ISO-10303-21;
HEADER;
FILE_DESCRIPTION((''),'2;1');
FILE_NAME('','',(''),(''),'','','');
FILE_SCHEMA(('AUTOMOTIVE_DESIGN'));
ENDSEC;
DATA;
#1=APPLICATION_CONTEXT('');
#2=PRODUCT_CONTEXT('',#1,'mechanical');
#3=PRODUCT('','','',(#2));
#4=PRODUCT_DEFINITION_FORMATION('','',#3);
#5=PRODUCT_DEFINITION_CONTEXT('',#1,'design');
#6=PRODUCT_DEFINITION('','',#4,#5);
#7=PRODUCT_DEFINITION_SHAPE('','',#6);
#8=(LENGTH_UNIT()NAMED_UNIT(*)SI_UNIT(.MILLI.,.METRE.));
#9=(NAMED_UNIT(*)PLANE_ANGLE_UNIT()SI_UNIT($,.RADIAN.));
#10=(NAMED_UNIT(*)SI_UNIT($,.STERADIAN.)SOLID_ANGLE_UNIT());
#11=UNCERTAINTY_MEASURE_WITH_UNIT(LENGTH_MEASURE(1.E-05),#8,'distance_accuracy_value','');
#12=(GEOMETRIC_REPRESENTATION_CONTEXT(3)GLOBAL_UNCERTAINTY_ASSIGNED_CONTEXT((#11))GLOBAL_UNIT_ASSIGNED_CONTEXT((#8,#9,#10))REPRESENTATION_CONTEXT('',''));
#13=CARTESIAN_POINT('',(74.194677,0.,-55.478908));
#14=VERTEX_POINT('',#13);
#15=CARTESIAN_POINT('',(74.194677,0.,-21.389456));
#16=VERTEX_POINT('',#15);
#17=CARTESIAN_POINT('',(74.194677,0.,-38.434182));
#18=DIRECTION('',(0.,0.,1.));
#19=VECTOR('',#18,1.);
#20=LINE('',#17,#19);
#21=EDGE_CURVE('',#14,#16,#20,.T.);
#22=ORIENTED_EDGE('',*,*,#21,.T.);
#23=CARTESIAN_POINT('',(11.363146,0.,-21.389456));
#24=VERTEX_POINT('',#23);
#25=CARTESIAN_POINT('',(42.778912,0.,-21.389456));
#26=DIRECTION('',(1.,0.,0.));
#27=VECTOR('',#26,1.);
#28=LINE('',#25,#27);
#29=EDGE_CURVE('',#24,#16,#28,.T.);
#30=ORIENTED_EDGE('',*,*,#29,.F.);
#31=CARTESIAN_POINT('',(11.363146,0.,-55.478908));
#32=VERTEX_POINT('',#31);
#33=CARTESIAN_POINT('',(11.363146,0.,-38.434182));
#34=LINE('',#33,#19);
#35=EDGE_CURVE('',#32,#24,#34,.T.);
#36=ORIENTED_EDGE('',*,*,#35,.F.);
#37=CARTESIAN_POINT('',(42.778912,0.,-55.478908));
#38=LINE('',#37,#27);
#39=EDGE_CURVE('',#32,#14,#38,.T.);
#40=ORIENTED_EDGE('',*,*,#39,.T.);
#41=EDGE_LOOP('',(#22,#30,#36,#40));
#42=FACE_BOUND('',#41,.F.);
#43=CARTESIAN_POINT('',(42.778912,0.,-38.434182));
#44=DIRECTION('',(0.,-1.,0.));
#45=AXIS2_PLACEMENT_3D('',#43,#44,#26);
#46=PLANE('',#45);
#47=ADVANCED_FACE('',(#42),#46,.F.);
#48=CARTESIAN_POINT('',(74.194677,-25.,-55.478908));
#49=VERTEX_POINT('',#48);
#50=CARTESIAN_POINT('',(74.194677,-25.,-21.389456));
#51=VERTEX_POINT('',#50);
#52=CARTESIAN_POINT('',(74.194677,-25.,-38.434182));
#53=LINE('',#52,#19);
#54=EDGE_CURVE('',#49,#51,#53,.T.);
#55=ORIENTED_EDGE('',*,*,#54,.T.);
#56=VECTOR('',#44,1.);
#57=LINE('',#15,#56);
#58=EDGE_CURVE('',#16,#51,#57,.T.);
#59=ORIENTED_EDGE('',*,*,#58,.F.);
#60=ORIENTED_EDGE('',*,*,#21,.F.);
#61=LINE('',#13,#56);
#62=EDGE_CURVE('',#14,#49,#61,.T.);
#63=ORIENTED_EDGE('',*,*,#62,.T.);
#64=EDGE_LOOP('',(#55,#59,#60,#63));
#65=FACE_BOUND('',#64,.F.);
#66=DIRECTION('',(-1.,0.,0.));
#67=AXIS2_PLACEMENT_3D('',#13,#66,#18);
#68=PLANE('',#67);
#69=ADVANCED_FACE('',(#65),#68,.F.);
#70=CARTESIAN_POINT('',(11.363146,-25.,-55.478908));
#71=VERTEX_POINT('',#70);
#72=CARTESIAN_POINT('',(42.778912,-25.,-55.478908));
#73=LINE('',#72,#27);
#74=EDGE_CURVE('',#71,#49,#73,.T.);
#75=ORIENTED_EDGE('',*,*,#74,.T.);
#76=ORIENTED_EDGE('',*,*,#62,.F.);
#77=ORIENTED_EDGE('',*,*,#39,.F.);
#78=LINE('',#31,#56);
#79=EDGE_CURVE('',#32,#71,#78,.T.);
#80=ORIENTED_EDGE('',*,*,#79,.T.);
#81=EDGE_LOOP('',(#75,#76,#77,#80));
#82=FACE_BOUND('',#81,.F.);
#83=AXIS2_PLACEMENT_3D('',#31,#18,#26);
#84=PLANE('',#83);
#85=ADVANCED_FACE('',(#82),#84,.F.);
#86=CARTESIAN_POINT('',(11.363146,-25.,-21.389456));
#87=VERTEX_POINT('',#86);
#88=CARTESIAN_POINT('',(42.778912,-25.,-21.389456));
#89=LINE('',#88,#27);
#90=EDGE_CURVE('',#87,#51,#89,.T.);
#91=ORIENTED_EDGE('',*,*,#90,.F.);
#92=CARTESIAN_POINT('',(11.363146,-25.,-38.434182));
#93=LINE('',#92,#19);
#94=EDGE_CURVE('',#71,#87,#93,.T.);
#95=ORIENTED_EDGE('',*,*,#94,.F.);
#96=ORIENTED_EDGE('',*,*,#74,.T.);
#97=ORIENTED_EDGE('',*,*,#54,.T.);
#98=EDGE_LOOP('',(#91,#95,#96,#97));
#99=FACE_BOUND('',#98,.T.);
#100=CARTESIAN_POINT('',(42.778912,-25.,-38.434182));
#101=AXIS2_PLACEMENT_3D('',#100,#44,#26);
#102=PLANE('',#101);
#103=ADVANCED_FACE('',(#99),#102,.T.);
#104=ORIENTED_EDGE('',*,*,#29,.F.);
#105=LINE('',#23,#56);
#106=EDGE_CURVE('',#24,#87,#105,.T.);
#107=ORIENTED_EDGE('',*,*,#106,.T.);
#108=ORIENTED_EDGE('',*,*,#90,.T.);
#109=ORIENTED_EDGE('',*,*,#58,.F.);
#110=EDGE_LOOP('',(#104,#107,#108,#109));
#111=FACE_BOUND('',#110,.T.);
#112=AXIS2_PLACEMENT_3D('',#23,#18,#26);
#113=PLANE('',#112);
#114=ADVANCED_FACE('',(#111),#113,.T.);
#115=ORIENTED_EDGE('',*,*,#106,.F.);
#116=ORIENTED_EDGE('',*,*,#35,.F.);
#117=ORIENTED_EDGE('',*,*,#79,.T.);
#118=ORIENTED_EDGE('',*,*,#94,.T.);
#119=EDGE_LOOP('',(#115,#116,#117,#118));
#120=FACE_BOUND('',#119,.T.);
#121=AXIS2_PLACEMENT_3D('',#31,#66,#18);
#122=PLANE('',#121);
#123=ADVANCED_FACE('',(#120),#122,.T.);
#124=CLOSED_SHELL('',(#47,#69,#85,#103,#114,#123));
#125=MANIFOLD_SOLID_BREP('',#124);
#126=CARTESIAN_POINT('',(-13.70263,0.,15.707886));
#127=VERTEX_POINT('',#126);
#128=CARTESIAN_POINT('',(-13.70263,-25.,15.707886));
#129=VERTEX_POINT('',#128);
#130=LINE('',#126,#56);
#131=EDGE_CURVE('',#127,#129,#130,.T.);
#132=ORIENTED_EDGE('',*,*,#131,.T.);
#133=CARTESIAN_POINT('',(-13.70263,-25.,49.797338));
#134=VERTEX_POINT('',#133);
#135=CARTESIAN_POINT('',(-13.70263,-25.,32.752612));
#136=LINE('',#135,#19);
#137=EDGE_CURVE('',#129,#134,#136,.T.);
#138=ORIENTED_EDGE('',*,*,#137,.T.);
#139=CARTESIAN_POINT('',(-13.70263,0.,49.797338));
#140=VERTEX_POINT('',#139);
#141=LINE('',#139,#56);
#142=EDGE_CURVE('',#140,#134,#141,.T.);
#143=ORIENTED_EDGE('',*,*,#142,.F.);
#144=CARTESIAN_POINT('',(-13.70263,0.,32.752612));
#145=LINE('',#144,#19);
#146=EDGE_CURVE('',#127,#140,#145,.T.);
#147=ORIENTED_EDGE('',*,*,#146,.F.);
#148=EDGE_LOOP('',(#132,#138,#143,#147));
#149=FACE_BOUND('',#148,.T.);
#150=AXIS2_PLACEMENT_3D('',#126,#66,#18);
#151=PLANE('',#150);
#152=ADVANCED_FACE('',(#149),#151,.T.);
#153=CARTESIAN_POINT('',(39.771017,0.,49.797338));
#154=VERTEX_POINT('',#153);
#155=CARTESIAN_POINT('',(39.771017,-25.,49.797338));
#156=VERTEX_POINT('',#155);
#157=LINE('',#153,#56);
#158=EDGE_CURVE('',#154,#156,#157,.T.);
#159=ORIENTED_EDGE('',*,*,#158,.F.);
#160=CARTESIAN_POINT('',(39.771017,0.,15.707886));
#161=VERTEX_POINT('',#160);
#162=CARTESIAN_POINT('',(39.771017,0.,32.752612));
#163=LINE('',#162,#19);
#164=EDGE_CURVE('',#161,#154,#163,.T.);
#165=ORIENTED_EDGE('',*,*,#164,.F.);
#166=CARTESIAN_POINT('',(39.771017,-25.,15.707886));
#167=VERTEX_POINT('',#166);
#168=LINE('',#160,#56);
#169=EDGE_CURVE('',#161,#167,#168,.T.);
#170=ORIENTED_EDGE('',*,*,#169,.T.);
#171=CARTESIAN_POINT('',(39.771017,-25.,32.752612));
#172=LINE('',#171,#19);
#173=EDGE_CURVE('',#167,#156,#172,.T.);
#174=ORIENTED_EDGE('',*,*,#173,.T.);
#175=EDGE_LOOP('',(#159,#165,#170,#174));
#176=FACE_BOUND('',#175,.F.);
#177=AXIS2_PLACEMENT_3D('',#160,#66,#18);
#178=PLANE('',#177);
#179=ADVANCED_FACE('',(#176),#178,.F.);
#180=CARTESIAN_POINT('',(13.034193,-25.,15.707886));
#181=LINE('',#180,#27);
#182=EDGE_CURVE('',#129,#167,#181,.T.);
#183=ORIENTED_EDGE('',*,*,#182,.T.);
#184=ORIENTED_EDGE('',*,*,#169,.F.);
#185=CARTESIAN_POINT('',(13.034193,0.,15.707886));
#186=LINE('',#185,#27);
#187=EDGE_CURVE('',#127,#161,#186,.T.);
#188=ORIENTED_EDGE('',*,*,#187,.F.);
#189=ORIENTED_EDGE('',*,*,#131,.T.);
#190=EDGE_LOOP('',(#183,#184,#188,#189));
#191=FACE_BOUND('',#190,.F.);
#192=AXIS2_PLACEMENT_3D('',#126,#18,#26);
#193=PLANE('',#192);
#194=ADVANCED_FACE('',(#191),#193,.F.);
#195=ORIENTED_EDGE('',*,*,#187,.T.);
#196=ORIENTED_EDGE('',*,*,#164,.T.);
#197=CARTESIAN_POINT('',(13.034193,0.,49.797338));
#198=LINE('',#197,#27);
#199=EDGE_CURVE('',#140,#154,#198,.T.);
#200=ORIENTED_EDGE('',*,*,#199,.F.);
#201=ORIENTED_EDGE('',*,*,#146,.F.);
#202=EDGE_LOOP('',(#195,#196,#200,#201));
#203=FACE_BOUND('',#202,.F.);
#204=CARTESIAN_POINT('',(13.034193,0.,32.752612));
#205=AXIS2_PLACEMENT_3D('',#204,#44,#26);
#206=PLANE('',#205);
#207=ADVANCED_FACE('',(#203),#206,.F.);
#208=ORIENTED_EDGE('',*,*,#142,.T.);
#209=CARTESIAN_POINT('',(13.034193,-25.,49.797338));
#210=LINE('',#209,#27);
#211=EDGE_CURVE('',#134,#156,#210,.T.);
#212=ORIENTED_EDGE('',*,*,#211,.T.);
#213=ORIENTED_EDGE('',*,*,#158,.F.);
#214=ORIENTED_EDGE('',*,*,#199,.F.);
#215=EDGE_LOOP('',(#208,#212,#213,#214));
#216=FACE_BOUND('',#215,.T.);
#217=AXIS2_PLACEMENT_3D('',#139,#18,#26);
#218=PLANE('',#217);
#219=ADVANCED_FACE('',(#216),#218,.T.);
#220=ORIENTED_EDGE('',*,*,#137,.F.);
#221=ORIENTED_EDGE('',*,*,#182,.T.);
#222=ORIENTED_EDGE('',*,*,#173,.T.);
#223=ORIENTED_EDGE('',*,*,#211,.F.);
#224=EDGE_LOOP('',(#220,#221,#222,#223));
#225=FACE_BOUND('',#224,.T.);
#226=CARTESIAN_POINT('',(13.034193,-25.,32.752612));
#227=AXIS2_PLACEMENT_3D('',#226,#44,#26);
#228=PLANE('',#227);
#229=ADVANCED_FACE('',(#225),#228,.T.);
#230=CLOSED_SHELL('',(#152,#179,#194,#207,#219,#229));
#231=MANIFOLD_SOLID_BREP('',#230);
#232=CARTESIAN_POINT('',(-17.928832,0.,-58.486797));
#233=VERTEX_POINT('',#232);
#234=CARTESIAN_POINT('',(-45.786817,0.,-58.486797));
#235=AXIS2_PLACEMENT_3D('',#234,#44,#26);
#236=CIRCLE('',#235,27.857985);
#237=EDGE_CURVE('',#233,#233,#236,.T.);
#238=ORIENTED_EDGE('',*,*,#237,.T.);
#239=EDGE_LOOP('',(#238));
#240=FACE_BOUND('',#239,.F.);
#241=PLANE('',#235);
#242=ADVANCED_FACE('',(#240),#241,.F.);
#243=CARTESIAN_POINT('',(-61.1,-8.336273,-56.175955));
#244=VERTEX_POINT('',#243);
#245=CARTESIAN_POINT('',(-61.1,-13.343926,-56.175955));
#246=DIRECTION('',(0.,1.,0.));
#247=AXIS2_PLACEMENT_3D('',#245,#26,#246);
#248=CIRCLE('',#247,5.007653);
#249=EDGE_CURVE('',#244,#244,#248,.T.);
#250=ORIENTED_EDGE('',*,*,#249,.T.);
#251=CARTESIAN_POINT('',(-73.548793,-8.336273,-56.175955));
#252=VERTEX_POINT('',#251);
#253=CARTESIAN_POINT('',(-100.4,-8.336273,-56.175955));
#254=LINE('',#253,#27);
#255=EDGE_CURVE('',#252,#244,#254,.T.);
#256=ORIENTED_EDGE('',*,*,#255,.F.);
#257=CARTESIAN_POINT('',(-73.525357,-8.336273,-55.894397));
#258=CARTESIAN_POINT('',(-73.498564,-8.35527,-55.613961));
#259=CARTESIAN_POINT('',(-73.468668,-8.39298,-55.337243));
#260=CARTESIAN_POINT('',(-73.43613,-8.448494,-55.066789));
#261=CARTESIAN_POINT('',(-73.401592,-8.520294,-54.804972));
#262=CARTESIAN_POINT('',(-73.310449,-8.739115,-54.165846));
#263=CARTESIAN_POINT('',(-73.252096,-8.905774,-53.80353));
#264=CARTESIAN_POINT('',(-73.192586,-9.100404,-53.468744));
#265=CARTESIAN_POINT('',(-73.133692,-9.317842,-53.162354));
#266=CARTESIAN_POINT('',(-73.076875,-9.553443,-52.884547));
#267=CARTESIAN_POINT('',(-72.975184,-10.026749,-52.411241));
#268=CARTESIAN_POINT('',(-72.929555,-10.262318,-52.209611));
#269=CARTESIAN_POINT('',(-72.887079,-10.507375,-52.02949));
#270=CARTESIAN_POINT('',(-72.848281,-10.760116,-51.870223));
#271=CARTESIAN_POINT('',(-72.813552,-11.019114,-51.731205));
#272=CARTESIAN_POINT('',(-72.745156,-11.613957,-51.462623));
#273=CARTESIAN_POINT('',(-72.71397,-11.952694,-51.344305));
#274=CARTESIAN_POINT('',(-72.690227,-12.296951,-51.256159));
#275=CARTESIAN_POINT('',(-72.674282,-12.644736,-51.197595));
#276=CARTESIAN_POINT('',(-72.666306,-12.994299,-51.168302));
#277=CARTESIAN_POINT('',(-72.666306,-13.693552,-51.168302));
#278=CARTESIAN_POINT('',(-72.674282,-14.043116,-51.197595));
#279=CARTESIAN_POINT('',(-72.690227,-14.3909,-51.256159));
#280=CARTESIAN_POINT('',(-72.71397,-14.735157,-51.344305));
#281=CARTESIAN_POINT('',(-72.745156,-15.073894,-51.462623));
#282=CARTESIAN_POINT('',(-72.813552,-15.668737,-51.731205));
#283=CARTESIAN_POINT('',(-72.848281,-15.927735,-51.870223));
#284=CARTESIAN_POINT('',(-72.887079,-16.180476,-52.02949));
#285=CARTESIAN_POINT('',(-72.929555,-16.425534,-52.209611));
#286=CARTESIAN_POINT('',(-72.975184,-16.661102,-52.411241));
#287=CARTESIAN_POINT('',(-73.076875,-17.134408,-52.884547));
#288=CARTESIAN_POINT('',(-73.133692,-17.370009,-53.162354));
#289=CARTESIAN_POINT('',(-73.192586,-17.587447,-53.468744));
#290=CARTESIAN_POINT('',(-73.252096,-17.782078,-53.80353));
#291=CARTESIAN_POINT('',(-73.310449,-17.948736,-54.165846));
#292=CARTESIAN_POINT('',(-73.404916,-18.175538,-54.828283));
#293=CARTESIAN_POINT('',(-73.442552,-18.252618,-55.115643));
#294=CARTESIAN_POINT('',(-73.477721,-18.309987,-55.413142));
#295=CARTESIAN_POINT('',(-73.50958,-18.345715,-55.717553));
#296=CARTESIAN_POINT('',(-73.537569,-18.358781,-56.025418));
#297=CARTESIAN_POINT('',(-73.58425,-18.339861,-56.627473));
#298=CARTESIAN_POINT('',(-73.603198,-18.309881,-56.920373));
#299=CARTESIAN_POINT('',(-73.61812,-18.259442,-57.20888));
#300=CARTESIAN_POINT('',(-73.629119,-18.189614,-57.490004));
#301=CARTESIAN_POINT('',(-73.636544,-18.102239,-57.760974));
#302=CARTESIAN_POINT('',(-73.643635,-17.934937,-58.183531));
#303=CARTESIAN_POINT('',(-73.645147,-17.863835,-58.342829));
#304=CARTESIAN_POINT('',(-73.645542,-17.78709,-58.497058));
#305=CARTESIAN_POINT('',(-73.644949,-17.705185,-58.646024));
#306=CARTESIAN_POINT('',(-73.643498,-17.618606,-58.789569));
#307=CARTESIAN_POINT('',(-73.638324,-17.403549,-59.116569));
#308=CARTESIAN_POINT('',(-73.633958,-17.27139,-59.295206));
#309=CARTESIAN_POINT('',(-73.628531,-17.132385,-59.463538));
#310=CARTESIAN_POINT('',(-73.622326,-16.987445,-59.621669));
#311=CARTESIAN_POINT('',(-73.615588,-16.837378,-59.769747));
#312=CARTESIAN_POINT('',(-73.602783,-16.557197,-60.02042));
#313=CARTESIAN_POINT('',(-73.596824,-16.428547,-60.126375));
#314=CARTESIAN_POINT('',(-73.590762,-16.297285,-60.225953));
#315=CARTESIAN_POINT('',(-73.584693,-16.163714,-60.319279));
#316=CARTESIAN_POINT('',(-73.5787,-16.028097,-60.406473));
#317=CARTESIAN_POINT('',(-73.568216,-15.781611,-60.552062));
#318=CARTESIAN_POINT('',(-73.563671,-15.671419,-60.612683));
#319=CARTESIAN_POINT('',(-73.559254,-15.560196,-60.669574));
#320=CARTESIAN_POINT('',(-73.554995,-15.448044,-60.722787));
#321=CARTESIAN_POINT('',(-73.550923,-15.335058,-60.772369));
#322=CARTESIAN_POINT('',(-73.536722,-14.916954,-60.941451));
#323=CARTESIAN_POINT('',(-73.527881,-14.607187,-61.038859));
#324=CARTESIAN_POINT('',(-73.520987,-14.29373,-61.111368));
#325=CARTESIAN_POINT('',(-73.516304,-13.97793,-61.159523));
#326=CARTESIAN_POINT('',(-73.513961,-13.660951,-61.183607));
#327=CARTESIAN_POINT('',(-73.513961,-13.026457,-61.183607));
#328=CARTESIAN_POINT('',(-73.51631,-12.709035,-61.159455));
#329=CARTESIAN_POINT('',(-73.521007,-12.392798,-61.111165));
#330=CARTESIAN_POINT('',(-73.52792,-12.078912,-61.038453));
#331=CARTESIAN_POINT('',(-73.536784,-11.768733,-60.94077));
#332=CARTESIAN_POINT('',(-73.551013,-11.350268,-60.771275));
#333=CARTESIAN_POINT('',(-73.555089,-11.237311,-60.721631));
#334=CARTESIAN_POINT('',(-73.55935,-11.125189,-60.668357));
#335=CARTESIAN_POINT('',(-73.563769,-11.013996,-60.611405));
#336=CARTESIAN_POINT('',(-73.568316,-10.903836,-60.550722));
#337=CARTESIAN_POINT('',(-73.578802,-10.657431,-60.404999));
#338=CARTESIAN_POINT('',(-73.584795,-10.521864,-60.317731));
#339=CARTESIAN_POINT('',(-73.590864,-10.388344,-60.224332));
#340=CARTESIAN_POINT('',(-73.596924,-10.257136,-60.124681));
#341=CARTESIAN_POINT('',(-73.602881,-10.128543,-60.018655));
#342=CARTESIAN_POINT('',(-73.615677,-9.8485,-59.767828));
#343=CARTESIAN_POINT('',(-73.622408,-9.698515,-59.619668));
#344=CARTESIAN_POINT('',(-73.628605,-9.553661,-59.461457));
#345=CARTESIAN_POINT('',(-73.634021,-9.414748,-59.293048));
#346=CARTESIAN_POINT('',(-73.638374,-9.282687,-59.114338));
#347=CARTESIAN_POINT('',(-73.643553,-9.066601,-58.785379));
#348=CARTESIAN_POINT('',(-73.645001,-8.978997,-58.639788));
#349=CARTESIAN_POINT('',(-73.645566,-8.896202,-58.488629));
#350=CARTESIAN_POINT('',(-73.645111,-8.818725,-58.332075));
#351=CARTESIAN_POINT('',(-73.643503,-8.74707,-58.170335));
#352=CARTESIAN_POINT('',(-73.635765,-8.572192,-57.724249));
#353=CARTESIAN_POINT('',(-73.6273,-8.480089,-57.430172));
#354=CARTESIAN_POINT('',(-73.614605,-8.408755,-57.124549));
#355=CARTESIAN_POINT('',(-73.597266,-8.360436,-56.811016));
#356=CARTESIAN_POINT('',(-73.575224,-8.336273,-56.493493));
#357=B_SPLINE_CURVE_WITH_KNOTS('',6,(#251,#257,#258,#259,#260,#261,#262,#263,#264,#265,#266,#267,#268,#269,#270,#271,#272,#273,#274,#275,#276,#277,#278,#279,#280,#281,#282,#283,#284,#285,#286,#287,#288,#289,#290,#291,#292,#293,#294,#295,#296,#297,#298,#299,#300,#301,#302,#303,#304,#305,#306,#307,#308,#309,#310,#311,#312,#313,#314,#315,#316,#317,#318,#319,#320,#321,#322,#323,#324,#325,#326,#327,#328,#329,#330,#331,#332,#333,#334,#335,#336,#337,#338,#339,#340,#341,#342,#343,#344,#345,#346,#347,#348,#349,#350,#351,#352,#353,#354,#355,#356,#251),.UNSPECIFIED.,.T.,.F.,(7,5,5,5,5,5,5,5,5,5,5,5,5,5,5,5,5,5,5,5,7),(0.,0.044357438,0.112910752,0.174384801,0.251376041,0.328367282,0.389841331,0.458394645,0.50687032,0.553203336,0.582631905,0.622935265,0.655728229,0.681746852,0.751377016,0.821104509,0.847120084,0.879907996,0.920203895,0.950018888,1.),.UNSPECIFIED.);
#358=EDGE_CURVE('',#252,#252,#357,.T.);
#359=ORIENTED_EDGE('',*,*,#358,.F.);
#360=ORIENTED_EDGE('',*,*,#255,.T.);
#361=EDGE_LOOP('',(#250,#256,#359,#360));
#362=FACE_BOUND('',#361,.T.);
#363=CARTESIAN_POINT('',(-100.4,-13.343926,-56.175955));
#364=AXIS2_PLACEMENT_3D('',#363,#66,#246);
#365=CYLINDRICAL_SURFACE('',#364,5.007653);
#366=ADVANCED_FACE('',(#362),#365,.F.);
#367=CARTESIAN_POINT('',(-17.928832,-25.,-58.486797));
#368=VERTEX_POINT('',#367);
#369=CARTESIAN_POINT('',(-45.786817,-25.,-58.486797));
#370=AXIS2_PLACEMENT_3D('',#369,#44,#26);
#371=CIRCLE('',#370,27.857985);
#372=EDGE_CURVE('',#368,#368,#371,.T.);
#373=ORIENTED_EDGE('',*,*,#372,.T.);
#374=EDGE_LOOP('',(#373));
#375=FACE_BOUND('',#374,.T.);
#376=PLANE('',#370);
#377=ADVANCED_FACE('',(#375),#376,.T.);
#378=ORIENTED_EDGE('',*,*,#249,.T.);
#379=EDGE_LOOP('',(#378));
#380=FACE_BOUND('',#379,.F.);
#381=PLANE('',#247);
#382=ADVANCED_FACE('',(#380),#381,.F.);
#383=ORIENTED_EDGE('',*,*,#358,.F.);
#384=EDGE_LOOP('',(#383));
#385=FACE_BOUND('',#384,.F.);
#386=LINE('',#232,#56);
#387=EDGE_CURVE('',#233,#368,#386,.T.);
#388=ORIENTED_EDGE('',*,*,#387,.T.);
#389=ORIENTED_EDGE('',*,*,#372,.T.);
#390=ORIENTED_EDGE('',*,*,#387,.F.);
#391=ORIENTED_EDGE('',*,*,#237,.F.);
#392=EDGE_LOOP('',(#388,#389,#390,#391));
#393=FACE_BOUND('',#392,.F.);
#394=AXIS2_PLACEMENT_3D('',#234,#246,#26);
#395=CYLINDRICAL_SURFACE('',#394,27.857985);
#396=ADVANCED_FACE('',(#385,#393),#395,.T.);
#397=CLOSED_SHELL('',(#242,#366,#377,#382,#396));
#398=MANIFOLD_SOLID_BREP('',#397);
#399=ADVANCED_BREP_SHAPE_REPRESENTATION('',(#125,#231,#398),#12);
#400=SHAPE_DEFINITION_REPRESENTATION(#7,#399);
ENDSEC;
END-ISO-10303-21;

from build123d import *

# Parameters (mm, degrees)
F0_W     = 55.8131188154
F0_H     = 58.4868006408
F1_DEPTH = 25
F0_W_2   = 62.8315312788
F0_H_2   = 34.0894516557
F0_W_3   = 53.4736467525
F2_R     = 19.539154605
F3_DEPTH = 25
F2_R_2   = 27.8579849408
F6_R     = 5.0076526177
F7_DEPTH = 39.3


with BuildPart() as f1:
    # F0 (on Front) → F1 (new body)
    with BuildSketch(Plane.XZ):
        with Locations((-83.7196856737, 10.5276275426)):
            Rectangle(F0_W, F0_H)
    extrude(amount=F1_DEPTH)


with BuildPart() as f1b:
    # F0 (on Front) → F1, piece 2 (new body)
    with BuildSketch(Plane.XZ):
        with Locations((42.7789115347, -38.4341822937)):
            Rectangle(F0_W_2, F0_H_2)
    extrude(amount=F1_DEPTH)


with BuildPart() as f1c:
    # F0 (on Front) → F1, piece 3 (new body)
    with BuildSketch(Plane.XZ):
        with Locations((13.0341933109, 32.7526116744)):
            Rectangle(F0_W_3, F0_H_2)
    extrude(amount=F1_DEPTH)


with BuildPart() as f3:
    # F2 (on Front) → F3 (new body)
    with BuildSketch(Plane.XZ):
        with Locations((109.2867553234, 38.7683957815)):
            Circle(F2_R)
    extrude(amount=F3_DEPTH)


with BuildPart() as f3b:
    # F2 (on Front) → F3, piece 2 (new body)
    with BuildSketch(Plane.XZ):
        with Locations((-45.7868166268, -58.4867969155)):
            Circle(F2_R_2)
    extrude(amount=F3_DEPTH)

    # F6 (on offset) → F7 (cut)
    with BuildSketch(Plane.YZ.offset(-100.4)):
        with Locations((-13.3439255878, -56.1759546399)):
            Circle(F6_R)
    extrude(amount=F7_DEPTH, mode=Mode.SUBTRACT)


solid = Compound([f1b.part, f1c.part, f3b.part])
